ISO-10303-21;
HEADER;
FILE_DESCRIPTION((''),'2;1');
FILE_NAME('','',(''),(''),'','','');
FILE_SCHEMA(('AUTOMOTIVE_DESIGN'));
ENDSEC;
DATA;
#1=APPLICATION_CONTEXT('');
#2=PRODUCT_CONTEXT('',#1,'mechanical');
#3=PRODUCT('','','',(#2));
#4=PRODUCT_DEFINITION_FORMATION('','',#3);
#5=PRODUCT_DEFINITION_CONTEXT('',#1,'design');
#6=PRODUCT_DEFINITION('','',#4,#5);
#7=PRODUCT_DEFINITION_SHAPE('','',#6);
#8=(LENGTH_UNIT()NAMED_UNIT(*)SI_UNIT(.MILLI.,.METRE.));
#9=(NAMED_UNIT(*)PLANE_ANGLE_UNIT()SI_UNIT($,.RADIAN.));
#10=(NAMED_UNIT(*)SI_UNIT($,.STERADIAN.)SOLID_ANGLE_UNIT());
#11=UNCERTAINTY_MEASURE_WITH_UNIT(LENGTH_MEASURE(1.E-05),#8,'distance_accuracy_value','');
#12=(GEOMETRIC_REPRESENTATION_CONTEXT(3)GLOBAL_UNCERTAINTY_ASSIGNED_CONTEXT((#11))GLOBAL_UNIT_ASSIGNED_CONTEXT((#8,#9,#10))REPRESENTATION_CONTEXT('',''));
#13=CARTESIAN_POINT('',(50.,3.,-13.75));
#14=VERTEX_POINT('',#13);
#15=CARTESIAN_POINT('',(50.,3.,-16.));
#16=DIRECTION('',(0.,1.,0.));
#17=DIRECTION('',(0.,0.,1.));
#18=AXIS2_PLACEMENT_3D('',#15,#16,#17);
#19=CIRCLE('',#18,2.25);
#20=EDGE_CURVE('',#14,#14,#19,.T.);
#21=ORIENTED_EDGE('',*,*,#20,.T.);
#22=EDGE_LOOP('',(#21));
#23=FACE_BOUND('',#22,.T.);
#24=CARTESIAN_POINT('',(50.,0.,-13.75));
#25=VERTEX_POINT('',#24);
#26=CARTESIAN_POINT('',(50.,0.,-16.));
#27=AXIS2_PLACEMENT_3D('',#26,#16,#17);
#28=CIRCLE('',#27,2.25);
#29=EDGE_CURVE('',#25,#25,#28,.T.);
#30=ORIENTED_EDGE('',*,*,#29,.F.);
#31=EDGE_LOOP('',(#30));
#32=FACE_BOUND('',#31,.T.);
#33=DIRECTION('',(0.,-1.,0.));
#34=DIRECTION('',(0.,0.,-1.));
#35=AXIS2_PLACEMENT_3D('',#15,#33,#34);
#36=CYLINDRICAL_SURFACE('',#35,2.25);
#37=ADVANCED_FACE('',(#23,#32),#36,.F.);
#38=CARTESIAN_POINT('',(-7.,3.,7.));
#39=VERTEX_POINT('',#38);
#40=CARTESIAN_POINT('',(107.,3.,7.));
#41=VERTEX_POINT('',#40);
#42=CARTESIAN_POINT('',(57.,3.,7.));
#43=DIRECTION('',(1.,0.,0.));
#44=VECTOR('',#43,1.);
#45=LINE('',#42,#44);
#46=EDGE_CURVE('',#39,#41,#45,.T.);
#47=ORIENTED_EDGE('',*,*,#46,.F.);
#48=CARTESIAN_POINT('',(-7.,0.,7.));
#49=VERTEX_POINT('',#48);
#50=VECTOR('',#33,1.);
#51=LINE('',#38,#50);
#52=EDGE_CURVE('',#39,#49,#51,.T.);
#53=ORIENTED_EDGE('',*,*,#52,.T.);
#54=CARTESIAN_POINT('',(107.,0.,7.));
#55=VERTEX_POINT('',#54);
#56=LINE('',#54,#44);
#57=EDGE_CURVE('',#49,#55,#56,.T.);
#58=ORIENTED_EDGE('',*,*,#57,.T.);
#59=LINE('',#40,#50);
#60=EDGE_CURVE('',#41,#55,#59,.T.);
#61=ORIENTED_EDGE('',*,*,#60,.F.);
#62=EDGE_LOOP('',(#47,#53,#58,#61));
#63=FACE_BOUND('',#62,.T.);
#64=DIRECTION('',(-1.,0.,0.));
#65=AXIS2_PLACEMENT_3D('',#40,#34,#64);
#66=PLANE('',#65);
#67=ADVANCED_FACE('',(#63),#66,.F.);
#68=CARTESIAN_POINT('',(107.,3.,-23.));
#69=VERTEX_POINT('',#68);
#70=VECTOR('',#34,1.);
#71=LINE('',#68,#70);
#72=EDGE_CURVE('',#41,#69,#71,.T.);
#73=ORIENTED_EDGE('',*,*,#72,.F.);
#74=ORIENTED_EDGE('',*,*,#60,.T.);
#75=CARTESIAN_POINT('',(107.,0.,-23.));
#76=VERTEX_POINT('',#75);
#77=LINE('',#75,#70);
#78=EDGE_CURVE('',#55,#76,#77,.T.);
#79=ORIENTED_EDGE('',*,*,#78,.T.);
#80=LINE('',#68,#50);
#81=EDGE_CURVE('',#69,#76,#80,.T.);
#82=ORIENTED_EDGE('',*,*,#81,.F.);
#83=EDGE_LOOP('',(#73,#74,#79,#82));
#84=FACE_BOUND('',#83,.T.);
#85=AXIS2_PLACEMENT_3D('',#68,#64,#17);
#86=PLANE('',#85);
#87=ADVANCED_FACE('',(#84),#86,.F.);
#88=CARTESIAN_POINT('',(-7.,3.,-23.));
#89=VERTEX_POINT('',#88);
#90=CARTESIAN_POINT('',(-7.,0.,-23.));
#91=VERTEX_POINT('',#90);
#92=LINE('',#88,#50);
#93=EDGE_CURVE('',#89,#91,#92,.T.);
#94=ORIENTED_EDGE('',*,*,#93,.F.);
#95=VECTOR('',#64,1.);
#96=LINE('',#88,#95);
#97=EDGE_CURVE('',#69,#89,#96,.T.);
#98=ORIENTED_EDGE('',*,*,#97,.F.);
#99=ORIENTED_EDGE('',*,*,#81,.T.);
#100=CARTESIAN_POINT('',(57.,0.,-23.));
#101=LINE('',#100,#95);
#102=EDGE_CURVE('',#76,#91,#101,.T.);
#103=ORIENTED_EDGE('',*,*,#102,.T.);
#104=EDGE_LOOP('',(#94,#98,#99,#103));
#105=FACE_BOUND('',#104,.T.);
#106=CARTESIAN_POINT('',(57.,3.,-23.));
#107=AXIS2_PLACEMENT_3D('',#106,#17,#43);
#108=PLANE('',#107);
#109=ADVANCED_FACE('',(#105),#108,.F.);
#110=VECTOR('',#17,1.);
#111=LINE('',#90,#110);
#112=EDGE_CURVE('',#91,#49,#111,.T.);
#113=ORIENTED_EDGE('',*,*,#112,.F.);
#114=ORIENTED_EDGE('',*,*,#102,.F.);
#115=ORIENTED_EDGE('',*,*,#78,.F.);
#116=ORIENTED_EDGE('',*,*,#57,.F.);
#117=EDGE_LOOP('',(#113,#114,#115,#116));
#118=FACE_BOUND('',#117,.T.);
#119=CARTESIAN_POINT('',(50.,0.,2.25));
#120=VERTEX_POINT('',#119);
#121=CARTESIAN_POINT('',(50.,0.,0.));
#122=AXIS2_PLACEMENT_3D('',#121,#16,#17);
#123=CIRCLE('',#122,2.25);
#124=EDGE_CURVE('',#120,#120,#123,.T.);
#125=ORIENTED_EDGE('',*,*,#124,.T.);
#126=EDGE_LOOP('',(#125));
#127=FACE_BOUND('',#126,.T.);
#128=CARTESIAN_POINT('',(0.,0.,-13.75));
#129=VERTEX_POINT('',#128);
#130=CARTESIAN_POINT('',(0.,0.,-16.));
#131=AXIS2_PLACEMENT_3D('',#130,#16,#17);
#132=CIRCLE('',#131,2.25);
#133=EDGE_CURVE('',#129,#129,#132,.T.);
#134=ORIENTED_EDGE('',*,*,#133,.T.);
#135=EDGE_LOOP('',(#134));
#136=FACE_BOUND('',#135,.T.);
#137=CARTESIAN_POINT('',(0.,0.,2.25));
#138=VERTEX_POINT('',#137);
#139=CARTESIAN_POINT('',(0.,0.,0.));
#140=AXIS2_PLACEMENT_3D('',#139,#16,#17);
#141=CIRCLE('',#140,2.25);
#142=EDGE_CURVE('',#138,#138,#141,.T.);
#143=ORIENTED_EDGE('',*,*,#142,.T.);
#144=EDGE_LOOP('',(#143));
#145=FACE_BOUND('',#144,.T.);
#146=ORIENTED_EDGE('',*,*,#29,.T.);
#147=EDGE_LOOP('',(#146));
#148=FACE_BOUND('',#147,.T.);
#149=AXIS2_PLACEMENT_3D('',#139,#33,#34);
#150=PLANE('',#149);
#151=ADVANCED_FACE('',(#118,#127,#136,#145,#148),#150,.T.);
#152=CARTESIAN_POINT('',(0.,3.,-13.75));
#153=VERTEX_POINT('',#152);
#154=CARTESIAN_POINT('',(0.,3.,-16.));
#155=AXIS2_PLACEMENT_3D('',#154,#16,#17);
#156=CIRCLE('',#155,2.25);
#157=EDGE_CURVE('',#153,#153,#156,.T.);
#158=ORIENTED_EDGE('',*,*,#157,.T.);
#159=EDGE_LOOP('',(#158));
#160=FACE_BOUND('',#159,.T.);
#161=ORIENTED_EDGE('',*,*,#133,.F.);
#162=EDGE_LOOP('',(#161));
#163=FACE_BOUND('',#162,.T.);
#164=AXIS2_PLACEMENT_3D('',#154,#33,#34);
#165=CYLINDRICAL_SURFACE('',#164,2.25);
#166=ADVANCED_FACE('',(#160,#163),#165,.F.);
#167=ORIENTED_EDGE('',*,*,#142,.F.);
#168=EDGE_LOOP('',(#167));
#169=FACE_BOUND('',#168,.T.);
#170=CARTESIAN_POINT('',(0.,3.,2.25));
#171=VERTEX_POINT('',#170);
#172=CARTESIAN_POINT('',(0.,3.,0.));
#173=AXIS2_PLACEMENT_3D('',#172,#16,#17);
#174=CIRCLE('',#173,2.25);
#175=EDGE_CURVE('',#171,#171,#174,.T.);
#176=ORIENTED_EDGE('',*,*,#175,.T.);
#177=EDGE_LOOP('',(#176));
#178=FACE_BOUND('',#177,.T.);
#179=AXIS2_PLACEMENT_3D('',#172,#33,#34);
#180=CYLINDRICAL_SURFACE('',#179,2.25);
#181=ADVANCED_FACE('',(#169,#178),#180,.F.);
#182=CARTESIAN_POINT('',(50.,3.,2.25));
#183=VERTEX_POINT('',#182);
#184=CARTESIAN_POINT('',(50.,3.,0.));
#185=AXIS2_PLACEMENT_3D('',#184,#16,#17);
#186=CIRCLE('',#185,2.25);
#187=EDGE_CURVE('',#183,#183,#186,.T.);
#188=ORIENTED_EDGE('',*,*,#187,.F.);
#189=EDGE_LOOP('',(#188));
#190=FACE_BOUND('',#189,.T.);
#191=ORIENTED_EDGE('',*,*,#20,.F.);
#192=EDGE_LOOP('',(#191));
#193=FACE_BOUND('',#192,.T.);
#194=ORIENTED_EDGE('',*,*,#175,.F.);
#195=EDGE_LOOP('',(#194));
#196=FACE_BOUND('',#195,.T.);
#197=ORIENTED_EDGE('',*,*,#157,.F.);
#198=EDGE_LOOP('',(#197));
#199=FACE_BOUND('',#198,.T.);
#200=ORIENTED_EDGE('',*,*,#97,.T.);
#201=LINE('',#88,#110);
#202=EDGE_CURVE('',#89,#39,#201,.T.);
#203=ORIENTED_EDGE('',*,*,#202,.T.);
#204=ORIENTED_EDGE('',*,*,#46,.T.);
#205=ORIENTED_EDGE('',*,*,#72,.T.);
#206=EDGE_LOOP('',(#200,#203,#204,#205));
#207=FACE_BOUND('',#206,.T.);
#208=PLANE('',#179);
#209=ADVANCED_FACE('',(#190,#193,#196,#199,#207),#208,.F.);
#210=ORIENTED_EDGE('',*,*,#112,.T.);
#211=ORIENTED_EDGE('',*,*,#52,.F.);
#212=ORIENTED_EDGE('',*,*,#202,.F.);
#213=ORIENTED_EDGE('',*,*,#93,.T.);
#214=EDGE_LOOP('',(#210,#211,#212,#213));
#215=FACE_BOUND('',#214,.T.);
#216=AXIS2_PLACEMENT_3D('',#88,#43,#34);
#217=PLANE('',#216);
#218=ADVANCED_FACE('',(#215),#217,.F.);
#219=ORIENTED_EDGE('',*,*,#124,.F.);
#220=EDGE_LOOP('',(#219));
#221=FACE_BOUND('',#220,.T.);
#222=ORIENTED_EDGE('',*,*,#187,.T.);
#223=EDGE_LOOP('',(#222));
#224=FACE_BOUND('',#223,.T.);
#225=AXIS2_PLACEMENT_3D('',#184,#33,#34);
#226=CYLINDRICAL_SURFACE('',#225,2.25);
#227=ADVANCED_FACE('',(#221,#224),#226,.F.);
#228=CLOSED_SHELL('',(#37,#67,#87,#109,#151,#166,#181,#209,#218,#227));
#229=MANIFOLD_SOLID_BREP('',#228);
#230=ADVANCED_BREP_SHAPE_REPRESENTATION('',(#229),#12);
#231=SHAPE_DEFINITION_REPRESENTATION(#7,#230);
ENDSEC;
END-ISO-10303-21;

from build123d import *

# Parameters (mm, degrees)
SKETCH1_R           = 2.25
BOSS_EXTRUDE1_DEPTH = 3


with BuildPart() as part:
    # Sketch1 → Boss-Extrude1 (new body)
    with BuildSketch(Plane(origin=(0, 0, 0), x_dir=(1, 0, 0), z_dir=(0, 1, 0))):
        Polygon((-7, 23), (-7, -7), (57, -7), (107, -7), (107, 23), (57, 23), align=None)
        with Locations(Location((0, 0, 0), (0, 0, 270))):
            Circle(SKETCH1_R, mode=Mode.SUBTRACT)
        with Locations(Location((0, 16, 0), (0, 0, 270))):
            Circle(SKETCH1_R, mode=Mode.SUBTRACT)
        with Locations(Location((50, 0, 0), (0, 0, 270))):
            Circle(SKETCH1_R, mode=Mode.SUBTRACT)
        with Locations(Location((50, 16, 0), (0, 0, 270))):
            Circle(SKETCH1_R, mode=Mode.SUBTRACT)
    extrude(amount=BOSS_EXTRUDE1_DEPTH)


solid = part.part
